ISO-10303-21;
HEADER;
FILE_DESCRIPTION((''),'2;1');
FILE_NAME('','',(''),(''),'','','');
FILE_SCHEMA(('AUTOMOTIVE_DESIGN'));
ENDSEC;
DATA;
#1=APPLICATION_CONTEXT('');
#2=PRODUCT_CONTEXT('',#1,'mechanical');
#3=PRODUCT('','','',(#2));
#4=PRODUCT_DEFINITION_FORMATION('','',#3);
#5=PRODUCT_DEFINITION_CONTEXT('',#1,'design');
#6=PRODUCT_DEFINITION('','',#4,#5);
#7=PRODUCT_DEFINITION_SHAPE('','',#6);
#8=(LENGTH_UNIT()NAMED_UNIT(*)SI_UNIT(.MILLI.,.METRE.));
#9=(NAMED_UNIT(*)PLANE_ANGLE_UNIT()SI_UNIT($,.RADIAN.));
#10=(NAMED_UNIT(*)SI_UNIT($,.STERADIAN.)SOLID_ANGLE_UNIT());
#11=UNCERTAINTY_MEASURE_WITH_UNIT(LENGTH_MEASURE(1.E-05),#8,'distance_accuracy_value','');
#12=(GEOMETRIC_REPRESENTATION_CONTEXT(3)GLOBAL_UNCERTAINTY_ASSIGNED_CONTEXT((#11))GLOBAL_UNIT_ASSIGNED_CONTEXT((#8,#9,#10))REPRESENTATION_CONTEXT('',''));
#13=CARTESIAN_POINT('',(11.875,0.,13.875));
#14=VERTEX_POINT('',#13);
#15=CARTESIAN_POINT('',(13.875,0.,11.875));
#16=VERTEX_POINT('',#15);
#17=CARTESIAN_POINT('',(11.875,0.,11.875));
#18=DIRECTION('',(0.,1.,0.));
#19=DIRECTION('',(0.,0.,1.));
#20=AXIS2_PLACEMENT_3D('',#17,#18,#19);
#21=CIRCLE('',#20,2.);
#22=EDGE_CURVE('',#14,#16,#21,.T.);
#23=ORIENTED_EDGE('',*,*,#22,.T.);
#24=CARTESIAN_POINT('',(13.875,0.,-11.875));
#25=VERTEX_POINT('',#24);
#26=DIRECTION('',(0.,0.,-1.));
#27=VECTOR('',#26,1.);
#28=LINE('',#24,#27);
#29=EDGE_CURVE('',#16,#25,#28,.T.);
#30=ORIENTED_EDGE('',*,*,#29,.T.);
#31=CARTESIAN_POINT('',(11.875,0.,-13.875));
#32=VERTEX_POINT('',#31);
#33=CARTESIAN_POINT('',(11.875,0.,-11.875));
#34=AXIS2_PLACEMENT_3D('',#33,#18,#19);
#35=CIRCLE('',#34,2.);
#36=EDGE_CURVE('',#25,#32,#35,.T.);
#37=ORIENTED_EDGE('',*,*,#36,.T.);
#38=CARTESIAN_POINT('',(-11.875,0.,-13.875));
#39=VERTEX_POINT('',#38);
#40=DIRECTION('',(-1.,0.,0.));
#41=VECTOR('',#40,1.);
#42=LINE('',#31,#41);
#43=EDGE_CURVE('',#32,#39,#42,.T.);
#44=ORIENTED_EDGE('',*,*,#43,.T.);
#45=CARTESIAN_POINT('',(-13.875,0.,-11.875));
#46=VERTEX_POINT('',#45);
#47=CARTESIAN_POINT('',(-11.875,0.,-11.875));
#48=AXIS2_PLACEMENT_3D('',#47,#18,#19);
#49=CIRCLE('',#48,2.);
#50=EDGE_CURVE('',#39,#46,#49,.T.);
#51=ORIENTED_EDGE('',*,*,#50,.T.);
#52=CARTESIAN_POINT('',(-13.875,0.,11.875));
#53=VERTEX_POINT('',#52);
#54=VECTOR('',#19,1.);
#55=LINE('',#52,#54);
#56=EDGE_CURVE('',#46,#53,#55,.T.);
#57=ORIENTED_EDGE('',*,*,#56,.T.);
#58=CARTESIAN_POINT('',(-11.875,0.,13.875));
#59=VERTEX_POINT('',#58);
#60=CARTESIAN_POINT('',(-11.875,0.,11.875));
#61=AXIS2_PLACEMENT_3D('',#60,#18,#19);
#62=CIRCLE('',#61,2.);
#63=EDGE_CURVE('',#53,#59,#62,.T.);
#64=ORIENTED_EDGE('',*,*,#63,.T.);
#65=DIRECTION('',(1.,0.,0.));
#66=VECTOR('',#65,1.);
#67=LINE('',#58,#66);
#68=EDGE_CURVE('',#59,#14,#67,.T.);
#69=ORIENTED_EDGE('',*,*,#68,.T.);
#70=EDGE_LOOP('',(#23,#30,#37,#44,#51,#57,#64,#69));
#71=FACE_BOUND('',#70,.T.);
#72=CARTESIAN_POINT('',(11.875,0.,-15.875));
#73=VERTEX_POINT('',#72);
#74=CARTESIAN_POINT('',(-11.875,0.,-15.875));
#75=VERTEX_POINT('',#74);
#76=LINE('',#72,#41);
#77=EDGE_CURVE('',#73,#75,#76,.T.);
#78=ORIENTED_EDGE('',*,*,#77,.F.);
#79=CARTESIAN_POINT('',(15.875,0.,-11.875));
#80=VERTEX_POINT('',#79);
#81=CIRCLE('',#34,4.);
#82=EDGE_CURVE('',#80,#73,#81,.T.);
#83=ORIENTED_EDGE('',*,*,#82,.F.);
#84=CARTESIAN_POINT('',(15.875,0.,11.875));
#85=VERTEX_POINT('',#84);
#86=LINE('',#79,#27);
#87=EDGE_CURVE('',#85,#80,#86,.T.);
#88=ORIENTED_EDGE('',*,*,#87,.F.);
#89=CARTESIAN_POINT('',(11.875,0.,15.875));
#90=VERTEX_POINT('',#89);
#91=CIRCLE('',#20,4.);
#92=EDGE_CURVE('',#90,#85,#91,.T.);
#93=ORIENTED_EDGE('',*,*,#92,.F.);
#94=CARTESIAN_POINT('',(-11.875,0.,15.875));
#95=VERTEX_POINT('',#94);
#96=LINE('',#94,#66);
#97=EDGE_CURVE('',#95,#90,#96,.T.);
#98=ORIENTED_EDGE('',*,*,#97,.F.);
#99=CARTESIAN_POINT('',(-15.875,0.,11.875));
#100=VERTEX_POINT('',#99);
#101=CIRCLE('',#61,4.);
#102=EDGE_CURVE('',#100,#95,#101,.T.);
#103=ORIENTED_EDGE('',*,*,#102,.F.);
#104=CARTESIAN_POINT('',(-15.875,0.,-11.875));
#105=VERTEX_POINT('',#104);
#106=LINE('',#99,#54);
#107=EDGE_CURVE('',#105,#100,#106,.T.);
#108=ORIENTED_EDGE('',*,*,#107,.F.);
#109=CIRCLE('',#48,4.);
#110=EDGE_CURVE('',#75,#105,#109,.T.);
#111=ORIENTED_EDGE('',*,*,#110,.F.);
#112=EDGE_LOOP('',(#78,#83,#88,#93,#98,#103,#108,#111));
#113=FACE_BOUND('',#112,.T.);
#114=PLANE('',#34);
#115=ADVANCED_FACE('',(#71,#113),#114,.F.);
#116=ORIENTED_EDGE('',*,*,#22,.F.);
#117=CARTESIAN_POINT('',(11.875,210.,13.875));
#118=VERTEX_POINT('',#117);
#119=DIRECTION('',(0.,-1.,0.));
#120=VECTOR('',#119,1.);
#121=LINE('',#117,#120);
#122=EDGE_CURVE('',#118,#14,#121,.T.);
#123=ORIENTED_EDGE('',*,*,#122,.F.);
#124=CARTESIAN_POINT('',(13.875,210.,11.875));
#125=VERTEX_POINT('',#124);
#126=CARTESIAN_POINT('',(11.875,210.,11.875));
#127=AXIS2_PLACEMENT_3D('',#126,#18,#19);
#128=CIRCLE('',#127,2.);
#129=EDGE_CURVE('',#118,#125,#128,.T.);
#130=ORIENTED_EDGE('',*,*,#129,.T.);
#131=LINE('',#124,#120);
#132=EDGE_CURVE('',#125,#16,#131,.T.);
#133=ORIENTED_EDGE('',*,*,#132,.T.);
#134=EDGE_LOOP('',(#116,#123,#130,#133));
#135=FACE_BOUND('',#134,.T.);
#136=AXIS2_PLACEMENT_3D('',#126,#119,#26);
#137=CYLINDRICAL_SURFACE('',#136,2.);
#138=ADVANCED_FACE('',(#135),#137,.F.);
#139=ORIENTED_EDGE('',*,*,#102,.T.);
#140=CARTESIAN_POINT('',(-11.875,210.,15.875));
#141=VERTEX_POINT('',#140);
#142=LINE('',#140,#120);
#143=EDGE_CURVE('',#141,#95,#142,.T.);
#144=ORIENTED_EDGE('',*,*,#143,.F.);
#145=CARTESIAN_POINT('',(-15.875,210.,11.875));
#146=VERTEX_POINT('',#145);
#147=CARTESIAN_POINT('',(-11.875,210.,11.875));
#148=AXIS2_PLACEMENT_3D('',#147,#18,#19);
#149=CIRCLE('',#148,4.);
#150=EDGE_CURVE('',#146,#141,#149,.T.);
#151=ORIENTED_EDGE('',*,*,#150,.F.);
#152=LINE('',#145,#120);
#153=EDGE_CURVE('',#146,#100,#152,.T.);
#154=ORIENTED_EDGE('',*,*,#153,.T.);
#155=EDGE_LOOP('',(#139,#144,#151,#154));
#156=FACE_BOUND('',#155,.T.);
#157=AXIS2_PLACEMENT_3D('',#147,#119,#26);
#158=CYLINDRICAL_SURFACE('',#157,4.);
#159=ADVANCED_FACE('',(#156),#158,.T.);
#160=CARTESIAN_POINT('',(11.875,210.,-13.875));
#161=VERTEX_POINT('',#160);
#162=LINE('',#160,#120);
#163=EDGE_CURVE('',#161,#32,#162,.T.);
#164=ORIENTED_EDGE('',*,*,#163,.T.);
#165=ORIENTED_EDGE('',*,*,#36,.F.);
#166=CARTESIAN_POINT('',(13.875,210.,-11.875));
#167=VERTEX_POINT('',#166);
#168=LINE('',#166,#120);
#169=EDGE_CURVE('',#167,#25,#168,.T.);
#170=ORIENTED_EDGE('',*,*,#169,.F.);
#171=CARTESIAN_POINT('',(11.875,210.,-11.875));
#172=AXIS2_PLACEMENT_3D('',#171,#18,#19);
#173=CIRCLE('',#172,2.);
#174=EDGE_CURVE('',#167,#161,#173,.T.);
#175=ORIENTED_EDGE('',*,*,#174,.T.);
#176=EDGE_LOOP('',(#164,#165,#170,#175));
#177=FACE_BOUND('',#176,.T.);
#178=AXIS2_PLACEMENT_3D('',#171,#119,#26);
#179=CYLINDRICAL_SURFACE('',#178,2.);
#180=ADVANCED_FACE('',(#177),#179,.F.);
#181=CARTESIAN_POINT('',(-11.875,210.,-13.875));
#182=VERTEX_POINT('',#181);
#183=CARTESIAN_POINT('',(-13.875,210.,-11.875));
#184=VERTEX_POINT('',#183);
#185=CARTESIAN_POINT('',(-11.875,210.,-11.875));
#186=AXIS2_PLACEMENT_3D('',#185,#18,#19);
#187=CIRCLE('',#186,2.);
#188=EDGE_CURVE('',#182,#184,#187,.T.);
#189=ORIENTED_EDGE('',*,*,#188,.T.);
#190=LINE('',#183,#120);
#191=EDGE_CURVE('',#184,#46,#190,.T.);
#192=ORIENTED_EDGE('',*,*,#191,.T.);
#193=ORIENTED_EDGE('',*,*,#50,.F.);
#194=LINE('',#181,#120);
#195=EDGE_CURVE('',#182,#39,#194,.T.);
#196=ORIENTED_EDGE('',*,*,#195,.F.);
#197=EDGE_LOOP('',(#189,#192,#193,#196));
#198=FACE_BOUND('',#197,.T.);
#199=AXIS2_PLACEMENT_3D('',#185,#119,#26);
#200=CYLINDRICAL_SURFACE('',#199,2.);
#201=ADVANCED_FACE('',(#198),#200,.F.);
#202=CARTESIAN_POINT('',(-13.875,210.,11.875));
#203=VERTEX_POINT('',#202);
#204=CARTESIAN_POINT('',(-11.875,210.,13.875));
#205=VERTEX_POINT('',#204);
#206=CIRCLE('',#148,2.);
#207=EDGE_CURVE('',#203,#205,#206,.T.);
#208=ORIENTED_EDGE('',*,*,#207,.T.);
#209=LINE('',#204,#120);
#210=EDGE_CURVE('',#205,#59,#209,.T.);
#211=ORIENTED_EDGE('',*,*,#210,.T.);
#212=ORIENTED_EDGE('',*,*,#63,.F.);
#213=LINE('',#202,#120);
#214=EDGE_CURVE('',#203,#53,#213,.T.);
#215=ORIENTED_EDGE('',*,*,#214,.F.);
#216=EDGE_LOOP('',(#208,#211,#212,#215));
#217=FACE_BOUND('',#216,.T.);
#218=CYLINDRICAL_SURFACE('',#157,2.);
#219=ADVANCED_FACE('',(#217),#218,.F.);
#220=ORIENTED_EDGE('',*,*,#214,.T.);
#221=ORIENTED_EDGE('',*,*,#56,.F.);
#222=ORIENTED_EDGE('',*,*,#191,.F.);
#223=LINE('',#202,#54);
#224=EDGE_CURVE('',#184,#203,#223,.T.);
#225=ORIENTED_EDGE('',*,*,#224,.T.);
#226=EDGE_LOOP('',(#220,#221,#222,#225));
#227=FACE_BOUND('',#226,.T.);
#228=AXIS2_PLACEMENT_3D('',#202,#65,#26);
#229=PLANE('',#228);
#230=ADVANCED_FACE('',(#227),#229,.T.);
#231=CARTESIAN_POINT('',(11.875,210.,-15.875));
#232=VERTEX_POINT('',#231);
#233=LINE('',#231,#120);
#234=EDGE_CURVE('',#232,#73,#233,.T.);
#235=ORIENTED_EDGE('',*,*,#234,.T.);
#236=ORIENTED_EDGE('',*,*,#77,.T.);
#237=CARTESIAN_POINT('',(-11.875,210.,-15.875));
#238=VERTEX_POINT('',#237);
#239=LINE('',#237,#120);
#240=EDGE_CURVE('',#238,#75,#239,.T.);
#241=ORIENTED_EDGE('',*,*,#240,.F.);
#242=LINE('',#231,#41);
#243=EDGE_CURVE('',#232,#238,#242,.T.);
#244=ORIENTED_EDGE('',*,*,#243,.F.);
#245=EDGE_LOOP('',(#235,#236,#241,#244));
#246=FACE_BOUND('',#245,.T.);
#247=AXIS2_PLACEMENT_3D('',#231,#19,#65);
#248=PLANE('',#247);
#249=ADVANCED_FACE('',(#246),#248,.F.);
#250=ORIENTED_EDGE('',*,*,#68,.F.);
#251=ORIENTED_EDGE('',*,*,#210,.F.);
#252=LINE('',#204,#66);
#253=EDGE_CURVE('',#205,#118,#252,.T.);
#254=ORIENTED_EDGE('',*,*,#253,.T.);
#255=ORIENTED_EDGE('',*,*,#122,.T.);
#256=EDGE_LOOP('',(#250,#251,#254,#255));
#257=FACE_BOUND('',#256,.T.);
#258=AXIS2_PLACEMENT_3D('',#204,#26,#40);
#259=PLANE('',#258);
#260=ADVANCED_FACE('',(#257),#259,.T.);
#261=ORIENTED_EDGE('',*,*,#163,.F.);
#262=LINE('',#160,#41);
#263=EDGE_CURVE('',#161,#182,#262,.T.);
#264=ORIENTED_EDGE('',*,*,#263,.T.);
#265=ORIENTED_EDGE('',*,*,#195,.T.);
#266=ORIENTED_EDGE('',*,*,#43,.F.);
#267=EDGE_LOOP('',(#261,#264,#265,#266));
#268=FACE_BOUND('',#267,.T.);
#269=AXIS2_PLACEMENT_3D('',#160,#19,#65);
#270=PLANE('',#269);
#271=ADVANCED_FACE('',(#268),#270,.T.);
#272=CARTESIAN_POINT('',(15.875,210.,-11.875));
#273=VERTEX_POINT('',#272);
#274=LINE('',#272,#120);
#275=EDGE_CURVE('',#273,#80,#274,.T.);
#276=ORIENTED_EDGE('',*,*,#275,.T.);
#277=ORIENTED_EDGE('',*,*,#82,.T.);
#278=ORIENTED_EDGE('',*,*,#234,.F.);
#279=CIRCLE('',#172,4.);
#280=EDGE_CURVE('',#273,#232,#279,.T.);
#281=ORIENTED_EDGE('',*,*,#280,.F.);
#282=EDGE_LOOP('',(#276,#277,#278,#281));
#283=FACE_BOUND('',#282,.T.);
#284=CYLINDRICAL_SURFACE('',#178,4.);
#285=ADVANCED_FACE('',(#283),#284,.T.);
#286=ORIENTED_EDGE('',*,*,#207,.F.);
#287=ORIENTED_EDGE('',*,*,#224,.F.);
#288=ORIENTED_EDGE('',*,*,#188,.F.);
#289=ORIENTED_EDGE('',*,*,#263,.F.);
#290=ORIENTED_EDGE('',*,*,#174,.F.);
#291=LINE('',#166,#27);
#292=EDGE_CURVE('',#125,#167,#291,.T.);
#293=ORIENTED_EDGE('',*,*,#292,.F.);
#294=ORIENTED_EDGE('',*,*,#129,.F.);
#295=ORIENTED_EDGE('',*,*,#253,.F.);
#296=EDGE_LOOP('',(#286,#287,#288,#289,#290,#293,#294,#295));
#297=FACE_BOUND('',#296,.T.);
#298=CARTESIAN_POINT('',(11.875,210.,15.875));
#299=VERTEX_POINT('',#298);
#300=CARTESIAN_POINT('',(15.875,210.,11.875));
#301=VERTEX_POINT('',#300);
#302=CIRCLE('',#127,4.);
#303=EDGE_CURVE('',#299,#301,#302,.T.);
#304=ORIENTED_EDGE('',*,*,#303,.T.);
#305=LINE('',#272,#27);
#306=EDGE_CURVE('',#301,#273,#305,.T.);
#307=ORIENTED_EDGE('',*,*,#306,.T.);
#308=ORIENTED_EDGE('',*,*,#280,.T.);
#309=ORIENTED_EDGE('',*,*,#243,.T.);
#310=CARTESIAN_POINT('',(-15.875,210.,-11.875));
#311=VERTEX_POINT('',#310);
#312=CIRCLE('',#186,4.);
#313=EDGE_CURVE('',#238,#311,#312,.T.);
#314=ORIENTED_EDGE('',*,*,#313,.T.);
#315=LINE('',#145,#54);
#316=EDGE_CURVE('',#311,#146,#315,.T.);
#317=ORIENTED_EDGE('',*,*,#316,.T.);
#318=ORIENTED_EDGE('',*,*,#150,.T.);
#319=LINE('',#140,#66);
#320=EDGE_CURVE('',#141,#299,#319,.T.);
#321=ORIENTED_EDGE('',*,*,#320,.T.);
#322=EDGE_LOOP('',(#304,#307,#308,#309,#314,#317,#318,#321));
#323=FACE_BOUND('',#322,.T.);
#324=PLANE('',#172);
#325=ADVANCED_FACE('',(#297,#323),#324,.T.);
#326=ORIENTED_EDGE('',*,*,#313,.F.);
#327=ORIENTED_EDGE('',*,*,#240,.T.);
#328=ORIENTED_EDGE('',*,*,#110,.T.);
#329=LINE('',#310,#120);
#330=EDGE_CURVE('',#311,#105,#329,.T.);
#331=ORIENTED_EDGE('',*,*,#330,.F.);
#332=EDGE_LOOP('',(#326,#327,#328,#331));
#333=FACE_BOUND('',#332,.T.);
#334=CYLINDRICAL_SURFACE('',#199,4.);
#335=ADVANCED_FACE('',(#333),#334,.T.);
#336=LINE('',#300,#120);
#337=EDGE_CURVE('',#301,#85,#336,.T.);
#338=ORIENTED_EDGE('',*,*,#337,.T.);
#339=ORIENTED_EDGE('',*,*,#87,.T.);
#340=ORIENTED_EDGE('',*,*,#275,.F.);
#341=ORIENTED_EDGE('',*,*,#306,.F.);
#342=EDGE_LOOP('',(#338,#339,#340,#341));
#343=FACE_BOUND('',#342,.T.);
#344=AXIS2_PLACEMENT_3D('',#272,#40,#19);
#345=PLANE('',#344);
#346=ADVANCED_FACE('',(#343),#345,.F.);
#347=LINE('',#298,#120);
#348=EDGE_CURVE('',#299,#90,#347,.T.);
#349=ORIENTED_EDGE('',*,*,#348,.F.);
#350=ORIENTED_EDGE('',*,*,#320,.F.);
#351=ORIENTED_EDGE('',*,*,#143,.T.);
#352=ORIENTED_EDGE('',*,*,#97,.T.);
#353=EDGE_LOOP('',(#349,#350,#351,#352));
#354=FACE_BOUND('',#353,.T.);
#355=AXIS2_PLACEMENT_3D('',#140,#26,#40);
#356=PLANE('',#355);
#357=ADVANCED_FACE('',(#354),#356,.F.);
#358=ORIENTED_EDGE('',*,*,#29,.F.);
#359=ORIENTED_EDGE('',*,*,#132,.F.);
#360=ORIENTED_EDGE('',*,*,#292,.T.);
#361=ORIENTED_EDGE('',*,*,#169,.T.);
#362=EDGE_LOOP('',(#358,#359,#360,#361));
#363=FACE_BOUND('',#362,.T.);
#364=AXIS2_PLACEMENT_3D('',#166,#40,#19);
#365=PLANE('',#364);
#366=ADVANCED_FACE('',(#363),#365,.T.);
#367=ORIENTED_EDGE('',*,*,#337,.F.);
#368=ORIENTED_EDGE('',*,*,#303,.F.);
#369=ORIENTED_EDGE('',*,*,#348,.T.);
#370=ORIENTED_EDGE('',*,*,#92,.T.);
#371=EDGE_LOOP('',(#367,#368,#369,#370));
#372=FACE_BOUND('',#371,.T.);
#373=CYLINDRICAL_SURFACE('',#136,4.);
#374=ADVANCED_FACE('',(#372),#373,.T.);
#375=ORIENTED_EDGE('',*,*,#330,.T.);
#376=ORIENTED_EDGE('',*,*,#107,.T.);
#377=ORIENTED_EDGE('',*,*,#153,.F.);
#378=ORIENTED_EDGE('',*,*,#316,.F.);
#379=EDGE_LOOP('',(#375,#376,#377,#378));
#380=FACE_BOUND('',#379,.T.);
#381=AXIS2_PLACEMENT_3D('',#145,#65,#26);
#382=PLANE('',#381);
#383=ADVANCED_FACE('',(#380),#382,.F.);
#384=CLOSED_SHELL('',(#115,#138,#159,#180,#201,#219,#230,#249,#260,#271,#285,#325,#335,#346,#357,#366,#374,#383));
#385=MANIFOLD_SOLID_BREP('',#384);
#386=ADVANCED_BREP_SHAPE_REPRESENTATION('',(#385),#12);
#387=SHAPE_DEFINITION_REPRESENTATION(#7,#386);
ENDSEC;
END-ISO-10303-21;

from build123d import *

# Parameters (mm, degrees)
SQUARE_TUBE_20_X_20_X_2_3_DEPTH = 210


with BuildPart() as part:
    # Sketch1 → Square tube 20 X 20 X 2(3) (new body)
    with BuildSketch(Plane(origin=(0, 0, 0), x_dir=(1, 0, 0), z_dir=(0, 1, 0))):
        with BuildLine():
            Line((-11.875, -15.875), (11.875, -15.875))
            ThreePointArc((11.875, -15.875), (14.703427125, -14.703427125), (15.875, -11.875))
            Line((15.875, -11.875), (15.875, 11.875))
            ThreePointArc((15.875, 11.875), (14.703427125, 14.703427125), (11.875, 15.875))
            Line((11.875, 15.875), (-11.875, 15.875))
            ThreePointArc((-11.875, 15.875), (-14.703427125, 14.703427125), (-15.875, 11.875))
            Line((-15.875, 11.875), (-15.875, -11.875))
            ThreePointArc((-15.875, -11.875), (-14.703427125, -14.703427125), (-11.875, -15.875))
        make_face()
        with BuildLine():
            Line((-11.875, -13.875), (11.875, -13.875))
            ThreePointArc((11.875, -13.875), (13.289213562, -13.289213562), (13.875, -11.875))
            Line((13.875, -11.875), (13.875, 11.875))
            ThreePointArc((13.875, 11.875), (13.289213562, 13.289213562), (11.875, 13.875))
            Line((11.875, 13.875), (-11.875, 13.875))
            ThreePointArc((-11.875, 13.875), (-13.289213562, 13.289213562), (-13.875, 11.875))
            Line((-13.875, 11.875), (-13.875, -11.875))
            ThreePointArc((-13.875, -11.875), (-13.289213562, -13.289213562), (-11.875, -13.875))
        make_face(mode=Mode.SUBTRACT)
    extrude(amount=SQUARE_TUBE_20_X_20_X_2_3_DEPTH)


solid = part.part
